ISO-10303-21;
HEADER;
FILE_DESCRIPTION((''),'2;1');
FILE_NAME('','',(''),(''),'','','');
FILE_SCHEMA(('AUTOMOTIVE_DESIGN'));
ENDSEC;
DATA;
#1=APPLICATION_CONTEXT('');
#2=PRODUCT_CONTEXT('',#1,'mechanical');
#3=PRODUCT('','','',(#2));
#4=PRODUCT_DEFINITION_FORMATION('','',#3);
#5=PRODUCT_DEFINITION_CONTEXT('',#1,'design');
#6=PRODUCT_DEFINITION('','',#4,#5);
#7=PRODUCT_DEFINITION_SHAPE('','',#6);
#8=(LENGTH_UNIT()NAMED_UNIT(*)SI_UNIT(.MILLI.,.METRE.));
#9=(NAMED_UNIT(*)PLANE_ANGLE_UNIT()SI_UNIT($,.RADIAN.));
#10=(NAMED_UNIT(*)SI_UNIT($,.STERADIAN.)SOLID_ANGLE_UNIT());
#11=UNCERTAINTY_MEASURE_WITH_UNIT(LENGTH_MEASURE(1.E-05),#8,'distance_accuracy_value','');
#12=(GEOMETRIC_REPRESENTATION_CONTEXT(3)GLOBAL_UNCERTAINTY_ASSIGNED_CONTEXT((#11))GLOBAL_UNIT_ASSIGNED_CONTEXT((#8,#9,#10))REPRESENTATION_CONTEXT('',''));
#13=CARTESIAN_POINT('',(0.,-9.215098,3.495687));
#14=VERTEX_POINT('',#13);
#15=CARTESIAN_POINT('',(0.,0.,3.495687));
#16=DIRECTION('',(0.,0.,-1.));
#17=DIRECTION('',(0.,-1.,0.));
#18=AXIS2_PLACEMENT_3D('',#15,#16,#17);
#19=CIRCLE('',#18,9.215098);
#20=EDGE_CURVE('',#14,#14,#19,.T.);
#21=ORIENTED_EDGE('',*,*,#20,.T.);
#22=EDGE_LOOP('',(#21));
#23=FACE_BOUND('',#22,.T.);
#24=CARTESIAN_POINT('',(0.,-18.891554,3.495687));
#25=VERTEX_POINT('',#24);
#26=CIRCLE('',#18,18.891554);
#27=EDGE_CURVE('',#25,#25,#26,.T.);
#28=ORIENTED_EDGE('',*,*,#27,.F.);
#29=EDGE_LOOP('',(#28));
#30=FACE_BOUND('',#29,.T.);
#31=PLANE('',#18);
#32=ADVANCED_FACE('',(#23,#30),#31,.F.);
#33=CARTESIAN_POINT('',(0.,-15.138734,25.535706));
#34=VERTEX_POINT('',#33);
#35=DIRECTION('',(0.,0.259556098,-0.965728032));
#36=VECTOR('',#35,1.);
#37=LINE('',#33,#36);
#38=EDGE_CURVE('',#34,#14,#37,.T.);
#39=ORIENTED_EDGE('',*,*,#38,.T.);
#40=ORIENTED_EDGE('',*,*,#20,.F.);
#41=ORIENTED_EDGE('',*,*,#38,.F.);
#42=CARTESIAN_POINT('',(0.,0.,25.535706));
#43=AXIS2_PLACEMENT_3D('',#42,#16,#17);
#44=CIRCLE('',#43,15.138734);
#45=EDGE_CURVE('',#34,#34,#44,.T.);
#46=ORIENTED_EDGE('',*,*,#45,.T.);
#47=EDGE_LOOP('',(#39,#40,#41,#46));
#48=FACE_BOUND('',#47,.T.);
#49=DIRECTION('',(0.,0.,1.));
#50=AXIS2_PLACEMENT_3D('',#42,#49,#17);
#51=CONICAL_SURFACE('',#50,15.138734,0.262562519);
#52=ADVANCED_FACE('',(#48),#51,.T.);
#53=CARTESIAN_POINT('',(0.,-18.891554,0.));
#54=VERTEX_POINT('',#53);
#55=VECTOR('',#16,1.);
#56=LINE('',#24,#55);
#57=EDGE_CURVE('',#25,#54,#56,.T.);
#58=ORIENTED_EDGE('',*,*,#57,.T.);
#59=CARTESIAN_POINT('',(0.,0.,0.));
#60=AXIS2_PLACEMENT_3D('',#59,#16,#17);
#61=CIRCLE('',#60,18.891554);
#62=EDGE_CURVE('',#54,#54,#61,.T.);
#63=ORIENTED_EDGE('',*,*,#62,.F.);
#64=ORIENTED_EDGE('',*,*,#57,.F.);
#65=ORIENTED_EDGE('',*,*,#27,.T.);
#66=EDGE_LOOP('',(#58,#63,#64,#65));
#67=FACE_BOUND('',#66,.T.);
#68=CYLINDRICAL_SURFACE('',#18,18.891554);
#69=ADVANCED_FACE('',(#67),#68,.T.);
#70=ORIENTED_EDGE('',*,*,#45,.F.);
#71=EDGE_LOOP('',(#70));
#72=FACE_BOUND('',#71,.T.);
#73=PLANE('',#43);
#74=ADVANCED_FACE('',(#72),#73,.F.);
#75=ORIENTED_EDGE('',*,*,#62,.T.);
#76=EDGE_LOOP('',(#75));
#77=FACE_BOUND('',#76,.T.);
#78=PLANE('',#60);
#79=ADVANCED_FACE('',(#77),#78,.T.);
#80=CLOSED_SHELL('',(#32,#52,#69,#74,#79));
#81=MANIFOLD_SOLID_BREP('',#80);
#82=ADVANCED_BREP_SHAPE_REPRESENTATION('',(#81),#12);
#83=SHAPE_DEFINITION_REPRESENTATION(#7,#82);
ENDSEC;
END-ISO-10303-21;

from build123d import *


with BuildPart() as f1:
    # F0 (on Right) → F1 (revolve)
    with BuildSketch(Plane.YZ):
        Polygon((-9.215098, 3.495687), (0, 3.495687), (0, 25.535706), (-15.138734, 25.535706), align=None)
        Polygon((-18.891554, 0), (0, 0), (0, 3.495687), (-9.215098, 3.495687), (-18.891554, 3.495687), align=None)
    revolve(axis=Axis((0, 0, 14.515697), (0, 0, -1)))


solid = f1.part
